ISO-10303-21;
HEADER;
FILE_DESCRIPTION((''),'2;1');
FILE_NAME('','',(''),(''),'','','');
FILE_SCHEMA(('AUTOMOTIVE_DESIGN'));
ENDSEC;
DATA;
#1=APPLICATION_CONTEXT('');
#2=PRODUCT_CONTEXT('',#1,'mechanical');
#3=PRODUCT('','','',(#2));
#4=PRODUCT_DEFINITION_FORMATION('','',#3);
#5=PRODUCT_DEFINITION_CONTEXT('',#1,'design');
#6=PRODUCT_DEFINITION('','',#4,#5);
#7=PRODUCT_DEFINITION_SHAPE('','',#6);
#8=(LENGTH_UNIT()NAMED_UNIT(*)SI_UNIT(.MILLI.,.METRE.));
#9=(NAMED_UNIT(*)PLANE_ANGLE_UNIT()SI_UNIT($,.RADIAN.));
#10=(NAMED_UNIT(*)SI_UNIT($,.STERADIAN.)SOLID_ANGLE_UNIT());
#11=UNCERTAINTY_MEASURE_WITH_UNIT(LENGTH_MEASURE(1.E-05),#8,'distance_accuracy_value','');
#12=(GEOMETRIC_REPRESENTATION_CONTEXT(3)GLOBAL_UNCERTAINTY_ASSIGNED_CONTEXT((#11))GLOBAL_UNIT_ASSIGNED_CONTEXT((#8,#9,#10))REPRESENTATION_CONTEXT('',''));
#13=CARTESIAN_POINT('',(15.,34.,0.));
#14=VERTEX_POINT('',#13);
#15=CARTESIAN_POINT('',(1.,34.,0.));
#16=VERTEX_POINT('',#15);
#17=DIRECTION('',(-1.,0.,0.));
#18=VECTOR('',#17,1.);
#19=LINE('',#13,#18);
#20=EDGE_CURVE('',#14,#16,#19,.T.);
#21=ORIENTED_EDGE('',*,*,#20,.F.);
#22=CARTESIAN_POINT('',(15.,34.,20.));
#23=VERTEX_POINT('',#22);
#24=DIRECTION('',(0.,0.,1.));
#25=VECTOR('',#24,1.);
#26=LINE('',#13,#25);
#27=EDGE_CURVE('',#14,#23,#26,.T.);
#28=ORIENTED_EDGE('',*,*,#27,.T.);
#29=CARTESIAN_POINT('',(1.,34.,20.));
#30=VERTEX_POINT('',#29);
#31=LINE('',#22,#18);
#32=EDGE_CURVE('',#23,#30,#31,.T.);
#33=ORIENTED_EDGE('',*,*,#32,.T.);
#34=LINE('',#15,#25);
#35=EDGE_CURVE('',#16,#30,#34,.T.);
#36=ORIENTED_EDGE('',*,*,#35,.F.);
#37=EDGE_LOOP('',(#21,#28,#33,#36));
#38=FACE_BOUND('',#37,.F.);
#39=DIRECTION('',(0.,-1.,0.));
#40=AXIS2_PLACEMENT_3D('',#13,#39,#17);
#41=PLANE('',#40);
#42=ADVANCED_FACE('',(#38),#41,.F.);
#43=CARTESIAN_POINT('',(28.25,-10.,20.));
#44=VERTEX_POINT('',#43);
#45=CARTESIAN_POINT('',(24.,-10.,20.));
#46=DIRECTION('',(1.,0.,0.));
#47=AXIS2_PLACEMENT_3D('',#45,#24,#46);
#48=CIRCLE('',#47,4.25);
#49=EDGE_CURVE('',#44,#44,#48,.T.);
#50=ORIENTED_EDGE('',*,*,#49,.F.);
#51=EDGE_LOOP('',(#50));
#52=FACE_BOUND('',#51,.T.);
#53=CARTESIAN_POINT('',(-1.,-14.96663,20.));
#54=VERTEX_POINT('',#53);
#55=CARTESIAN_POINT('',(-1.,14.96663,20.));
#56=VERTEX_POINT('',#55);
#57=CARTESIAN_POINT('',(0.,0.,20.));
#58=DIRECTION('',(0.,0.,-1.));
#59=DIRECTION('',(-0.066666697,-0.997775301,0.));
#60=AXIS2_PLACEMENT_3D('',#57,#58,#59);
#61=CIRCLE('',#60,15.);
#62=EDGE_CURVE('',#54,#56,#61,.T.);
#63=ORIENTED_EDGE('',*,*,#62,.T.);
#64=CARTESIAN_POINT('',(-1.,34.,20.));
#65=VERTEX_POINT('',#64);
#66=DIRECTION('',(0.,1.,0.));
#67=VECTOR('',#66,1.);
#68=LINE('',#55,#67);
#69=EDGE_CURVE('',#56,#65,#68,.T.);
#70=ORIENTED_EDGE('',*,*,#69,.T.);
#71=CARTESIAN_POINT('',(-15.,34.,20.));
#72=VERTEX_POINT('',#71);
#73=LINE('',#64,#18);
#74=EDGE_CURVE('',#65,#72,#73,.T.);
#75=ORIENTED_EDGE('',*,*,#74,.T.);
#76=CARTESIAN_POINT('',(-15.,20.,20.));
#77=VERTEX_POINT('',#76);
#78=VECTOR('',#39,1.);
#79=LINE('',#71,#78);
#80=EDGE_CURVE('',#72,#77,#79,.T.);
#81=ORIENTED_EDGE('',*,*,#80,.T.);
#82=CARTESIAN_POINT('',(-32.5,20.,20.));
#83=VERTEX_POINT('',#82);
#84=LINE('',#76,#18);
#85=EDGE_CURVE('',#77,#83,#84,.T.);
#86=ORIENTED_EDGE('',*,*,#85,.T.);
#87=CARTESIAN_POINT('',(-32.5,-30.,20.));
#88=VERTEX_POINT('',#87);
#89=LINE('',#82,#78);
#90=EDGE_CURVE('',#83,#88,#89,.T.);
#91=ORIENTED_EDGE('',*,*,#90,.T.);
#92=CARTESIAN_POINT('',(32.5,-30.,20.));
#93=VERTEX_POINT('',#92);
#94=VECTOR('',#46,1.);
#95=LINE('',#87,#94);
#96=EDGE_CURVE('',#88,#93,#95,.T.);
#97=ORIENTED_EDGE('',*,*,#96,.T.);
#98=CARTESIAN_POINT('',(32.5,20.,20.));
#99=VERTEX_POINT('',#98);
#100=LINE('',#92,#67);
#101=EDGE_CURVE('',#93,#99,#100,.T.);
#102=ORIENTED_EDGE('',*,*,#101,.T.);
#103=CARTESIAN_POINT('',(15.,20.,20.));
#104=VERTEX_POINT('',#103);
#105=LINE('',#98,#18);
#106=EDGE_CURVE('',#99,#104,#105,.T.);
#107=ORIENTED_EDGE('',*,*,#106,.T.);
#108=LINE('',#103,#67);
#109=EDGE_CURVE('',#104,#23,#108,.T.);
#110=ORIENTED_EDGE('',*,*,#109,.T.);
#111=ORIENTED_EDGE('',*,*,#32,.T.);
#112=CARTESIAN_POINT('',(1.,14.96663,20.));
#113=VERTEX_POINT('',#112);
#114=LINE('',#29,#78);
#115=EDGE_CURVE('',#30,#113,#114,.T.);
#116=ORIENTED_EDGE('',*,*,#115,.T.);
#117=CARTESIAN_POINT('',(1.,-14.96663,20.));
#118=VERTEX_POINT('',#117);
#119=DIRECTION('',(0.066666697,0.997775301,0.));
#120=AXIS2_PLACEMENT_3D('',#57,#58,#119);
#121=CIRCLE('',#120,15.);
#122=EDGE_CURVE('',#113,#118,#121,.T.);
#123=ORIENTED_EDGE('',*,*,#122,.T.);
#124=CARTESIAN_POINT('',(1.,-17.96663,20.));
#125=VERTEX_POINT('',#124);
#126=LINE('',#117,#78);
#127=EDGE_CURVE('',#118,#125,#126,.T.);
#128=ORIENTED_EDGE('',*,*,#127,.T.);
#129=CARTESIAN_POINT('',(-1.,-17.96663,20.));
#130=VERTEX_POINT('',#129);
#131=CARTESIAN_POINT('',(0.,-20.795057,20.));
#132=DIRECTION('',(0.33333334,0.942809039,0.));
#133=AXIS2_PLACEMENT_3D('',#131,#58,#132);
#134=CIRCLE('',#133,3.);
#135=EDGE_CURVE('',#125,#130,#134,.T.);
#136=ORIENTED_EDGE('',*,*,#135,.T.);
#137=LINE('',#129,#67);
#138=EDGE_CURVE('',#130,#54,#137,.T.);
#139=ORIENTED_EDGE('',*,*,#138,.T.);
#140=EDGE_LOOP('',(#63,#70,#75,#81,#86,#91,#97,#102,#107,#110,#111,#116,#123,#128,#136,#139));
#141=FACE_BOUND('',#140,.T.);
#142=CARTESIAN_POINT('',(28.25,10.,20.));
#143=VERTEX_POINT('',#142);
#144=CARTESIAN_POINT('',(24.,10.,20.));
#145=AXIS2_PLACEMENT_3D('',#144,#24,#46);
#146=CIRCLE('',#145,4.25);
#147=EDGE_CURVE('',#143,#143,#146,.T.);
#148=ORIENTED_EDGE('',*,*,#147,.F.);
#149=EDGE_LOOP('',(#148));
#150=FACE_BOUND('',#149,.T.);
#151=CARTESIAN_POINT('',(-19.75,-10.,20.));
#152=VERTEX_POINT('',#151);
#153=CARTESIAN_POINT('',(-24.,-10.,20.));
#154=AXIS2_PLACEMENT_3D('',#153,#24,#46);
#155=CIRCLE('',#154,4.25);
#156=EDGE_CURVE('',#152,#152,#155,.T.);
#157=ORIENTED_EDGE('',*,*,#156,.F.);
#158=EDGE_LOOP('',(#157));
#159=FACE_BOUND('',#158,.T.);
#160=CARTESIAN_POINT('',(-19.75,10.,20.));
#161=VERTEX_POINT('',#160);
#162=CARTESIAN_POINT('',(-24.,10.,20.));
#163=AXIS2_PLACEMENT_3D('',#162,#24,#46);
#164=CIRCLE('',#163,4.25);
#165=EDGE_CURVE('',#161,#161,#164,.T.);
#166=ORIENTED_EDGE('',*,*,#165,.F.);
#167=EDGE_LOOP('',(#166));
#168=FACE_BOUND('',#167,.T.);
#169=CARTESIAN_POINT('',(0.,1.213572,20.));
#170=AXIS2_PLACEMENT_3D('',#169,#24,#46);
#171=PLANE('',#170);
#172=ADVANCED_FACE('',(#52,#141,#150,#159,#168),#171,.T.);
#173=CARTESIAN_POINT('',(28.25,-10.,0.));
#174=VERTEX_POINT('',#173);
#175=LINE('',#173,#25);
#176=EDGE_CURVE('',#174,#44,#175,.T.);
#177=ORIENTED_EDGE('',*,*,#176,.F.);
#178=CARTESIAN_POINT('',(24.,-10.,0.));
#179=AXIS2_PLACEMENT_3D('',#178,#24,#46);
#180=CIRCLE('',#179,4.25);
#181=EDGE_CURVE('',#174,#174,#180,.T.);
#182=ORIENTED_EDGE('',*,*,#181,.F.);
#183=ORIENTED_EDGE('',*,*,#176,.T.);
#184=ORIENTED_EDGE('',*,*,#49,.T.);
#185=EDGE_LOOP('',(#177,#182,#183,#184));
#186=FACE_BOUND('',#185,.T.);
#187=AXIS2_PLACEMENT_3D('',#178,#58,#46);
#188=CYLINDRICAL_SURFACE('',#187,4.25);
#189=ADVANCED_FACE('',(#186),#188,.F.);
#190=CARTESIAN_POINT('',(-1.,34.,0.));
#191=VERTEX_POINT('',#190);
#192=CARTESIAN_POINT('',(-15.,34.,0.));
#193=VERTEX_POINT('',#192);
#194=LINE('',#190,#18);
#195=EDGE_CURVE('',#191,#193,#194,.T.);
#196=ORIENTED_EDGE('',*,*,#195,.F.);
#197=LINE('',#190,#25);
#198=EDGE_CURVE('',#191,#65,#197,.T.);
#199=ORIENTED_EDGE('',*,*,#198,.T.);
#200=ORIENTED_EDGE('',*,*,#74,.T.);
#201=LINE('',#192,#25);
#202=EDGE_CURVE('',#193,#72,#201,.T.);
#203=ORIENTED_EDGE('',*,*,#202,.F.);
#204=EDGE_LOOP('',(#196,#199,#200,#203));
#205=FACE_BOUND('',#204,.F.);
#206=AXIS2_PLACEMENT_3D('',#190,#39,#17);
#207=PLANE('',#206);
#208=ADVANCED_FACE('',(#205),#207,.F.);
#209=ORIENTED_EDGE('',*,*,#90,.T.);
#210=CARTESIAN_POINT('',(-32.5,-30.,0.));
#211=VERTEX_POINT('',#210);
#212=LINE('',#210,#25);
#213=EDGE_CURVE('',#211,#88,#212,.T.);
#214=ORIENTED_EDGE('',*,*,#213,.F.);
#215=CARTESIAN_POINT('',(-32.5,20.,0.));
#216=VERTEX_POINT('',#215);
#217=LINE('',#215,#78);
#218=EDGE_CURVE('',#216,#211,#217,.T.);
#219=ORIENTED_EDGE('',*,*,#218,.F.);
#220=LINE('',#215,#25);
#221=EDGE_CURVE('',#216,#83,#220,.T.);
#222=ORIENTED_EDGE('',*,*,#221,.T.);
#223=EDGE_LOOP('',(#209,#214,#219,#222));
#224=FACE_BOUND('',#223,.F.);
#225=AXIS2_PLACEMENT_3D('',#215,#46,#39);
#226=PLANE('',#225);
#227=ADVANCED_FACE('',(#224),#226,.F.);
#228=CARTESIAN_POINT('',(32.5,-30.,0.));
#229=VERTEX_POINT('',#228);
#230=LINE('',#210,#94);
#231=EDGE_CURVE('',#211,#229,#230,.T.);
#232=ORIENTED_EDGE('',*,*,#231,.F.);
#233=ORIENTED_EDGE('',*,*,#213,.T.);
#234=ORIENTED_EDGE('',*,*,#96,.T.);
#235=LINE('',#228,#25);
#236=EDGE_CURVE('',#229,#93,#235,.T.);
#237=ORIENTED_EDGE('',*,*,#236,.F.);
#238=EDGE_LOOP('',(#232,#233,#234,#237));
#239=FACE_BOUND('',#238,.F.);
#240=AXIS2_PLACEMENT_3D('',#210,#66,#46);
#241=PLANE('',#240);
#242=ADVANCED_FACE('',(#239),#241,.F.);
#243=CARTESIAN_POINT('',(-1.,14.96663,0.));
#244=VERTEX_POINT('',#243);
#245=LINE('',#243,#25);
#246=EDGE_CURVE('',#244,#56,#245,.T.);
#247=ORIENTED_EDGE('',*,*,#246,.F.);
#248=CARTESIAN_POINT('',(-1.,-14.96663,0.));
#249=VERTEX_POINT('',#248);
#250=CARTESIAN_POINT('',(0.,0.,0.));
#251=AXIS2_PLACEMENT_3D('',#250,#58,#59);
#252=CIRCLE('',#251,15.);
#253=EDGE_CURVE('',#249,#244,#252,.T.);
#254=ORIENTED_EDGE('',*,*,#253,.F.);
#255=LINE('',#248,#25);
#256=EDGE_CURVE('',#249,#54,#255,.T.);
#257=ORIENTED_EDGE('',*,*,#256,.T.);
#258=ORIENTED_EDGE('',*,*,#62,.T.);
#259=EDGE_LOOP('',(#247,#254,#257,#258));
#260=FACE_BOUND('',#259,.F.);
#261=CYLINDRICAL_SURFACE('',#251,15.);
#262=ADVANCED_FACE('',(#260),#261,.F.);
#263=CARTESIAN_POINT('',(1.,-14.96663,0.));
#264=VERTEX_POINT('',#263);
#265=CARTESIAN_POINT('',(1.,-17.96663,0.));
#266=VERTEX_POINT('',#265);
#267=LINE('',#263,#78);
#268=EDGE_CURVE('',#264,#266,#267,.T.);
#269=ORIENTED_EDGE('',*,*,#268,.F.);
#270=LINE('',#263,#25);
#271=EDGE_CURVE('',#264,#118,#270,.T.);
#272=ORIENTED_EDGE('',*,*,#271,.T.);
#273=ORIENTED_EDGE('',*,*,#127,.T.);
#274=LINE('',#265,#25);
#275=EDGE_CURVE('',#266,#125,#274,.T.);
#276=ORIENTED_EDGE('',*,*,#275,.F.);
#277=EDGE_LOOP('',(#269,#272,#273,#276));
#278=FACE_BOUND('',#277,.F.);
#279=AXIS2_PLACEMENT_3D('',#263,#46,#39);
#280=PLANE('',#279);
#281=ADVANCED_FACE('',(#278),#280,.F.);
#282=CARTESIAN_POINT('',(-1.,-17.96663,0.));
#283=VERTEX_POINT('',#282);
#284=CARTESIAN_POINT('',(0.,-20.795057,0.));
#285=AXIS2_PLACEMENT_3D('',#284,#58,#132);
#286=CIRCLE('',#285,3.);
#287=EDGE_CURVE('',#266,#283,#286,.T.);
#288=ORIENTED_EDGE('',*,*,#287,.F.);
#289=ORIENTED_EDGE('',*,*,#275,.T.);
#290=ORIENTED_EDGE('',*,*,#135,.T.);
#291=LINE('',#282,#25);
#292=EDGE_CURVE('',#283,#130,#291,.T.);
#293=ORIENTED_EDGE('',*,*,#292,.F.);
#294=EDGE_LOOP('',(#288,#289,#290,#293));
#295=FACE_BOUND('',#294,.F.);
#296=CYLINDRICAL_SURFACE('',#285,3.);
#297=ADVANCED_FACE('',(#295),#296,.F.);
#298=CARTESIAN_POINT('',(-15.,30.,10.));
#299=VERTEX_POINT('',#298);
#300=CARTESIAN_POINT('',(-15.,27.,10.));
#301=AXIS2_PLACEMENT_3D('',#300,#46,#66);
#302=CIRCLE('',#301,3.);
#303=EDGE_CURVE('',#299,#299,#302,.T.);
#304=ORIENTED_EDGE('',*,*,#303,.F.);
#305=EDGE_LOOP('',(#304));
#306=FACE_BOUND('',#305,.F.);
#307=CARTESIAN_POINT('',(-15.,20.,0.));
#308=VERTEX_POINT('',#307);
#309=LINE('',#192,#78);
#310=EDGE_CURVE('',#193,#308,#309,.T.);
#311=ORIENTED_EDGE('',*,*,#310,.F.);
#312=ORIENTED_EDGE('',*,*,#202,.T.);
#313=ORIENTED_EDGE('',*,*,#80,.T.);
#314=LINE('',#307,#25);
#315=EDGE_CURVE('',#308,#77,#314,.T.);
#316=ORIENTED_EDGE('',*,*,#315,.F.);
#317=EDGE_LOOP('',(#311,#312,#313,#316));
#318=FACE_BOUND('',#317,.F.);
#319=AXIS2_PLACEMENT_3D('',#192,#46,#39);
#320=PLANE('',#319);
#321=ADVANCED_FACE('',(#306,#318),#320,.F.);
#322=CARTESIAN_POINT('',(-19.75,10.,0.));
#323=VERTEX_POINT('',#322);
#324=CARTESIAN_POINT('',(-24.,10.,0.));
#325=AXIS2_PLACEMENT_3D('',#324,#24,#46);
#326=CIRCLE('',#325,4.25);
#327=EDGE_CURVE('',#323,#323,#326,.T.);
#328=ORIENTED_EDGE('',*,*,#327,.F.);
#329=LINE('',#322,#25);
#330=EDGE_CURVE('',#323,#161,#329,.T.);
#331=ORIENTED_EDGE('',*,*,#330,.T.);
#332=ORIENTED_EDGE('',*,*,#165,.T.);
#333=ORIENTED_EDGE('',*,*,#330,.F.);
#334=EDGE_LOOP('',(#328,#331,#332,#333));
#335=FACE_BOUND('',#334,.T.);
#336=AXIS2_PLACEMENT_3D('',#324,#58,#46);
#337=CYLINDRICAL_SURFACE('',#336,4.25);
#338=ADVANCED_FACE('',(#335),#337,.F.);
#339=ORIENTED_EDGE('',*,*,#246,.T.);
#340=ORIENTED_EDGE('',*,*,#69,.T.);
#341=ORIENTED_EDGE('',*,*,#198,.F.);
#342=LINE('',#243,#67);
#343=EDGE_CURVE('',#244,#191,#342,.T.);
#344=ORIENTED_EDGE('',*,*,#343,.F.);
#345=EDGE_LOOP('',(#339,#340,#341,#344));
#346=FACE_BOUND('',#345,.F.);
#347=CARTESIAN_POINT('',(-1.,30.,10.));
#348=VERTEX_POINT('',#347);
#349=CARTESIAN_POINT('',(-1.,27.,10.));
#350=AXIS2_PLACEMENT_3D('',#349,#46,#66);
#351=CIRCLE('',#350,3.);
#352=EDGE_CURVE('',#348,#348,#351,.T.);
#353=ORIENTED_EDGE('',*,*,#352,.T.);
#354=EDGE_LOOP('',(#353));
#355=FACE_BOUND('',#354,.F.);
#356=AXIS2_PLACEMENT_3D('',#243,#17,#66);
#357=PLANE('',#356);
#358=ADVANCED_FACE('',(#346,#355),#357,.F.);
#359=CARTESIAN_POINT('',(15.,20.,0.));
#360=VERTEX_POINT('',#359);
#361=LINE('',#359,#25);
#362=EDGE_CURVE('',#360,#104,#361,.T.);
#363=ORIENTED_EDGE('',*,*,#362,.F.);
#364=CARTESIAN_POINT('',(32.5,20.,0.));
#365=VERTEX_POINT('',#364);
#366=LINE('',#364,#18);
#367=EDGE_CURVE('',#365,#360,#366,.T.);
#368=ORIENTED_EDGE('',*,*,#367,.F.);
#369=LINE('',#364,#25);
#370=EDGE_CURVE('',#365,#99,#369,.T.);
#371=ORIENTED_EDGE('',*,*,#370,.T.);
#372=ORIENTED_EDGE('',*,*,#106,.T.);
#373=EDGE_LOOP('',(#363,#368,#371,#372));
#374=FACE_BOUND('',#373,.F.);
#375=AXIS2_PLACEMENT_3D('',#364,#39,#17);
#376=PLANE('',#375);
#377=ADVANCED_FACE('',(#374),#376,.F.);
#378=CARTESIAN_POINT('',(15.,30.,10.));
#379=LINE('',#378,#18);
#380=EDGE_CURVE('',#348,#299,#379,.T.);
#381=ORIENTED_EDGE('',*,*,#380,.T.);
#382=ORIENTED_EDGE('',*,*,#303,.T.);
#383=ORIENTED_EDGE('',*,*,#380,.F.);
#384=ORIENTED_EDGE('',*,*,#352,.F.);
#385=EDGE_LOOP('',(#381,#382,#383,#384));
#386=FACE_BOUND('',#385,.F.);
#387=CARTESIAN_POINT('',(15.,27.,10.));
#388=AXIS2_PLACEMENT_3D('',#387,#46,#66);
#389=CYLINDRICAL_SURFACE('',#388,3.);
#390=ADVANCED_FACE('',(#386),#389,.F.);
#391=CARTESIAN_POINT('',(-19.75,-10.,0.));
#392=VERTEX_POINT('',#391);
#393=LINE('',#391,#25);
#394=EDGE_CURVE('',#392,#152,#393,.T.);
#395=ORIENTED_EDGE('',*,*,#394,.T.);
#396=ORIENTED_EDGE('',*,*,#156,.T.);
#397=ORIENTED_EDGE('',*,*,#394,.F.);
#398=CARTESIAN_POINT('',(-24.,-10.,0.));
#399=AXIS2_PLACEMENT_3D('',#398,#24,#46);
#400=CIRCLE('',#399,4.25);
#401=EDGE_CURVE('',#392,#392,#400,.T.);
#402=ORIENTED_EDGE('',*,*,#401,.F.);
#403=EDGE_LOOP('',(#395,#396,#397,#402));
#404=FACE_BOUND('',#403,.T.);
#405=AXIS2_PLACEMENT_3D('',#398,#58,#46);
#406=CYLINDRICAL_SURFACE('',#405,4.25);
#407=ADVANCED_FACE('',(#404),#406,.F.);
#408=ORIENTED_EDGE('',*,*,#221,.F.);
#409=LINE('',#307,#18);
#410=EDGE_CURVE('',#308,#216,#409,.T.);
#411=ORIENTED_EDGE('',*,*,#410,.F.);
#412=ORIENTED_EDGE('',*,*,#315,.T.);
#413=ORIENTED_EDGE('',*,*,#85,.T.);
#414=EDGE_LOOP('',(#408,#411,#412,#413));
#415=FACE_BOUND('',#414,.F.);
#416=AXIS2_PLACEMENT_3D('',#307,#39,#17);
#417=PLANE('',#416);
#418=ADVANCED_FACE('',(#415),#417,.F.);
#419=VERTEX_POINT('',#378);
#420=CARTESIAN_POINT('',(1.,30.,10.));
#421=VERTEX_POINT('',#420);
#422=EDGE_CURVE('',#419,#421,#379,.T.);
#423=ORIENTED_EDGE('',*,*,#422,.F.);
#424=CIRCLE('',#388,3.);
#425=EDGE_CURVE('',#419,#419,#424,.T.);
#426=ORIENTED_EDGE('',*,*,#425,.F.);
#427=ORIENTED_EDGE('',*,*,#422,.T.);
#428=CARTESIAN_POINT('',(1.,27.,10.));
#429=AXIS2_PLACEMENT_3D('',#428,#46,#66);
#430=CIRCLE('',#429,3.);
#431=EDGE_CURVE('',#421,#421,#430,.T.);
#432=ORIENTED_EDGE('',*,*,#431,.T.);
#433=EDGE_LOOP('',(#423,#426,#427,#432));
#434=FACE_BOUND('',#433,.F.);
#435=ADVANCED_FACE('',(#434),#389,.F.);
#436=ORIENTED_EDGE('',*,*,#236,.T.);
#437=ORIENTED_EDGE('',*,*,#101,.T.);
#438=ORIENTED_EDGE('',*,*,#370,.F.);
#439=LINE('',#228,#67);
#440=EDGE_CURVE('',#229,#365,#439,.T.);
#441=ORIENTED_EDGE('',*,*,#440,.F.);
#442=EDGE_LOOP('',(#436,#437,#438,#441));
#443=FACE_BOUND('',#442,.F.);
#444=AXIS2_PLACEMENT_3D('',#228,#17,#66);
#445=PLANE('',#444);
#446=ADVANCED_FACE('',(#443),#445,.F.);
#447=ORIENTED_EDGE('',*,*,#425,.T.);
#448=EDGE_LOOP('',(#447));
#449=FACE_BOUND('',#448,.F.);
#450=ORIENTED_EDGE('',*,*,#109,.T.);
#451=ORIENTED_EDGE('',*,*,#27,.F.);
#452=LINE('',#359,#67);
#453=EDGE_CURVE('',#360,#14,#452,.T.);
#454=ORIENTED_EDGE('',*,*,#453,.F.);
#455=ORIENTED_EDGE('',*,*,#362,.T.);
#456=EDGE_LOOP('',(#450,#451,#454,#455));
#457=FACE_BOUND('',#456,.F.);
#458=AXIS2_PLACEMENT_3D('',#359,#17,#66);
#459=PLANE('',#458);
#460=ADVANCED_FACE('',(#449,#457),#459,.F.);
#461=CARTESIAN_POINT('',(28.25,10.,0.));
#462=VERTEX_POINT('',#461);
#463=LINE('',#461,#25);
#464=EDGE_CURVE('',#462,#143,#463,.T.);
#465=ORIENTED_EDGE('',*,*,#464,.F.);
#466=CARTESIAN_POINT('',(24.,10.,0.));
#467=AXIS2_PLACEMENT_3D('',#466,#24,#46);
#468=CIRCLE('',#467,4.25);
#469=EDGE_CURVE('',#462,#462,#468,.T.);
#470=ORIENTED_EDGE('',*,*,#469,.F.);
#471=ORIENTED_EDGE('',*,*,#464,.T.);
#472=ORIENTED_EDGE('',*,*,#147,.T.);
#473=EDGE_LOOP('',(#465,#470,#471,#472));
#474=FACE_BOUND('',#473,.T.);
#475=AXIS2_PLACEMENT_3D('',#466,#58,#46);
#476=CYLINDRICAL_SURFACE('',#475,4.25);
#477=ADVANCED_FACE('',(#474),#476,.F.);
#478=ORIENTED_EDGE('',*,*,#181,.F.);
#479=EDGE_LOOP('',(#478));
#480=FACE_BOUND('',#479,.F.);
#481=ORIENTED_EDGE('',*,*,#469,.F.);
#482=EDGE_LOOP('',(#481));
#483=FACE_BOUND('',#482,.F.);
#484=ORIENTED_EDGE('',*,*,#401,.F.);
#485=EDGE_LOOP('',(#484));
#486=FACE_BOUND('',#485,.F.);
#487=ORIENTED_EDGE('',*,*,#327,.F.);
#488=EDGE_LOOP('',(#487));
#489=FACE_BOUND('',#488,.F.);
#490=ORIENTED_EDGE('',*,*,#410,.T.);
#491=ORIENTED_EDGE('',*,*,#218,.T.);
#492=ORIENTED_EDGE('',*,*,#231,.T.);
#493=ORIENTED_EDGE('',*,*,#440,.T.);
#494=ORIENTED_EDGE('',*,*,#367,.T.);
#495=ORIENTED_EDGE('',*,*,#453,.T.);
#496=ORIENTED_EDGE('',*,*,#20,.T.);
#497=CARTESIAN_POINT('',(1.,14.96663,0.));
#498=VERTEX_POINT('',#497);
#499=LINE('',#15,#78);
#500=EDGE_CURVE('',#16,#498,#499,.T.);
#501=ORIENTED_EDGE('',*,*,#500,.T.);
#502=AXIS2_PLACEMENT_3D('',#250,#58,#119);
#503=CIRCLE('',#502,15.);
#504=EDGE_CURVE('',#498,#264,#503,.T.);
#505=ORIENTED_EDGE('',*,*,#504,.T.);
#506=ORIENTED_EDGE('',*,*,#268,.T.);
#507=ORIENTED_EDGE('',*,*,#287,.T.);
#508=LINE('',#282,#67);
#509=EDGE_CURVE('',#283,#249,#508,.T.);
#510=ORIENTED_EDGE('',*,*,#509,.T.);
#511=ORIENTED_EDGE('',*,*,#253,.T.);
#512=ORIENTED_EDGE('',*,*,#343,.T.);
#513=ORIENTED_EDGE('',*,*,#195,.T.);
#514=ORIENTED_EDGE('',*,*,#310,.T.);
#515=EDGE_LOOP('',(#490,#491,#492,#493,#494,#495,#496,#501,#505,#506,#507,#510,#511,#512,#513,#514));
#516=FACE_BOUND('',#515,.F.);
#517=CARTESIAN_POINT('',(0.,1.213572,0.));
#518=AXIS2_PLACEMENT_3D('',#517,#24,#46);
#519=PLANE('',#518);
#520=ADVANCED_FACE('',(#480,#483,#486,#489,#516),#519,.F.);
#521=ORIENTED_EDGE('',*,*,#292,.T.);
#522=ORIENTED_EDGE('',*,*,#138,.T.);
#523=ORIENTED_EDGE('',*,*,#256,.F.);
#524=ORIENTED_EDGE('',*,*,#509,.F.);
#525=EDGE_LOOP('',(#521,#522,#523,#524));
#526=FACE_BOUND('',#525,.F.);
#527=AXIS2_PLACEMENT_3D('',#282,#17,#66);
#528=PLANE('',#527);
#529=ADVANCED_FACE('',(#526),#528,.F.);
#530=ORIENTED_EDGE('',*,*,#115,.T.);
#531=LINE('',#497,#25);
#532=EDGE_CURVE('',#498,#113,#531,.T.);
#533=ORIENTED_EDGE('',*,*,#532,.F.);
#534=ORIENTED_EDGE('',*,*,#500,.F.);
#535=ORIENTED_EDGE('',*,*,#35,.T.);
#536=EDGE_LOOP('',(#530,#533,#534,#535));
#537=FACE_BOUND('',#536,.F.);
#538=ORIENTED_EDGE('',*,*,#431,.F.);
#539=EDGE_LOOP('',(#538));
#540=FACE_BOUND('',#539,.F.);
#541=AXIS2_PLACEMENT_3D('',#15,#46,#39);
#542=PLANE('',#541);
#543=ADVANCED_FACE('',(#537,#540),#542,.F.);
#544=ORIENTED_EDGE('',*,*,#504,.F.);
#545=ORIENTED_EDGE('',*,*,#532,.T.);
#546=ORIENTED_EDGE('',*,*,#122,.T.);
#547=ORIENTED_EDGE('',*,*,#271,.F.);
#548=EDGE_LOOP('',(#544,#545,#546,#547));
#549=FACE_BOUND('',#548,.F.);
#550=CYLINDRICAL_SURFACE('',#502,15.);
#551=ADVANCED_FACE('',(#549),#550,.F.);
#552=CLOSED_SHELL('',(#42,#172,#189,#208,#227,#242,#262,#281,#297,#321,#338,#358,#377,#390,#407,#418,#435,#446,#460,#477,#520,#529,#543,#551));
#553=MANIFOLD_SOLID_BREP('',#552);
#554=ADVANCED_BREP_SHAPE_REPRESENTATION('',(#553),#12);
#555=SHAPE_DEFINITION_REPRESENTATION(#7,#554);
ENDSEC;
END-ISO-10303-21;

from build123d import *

# Parameters (mm, degrees)
F0_R     = 4.25
F1_DEPTH = 20
F2_R     = 3
F3_DEPTH = 30


with BuildPart() as f1:
    # F0 (on Top) → F1 (new body)
    with BuildSketch(Plane.XY):
        with BuildLine():
            Line((-1, 34), (-15, 34))
            Line((-15, 34), (-15, 20))
            Line((-15, 20), (-32.5, 20))
            Line((-32.5, 20), (-32.5, -30))
            Line((-32.5, -30), (32.5, -30))
            Line((32.5, -30), (32.5, 20))
            Line((32.5, 20), (15, 20))
            Line((15, 20), (15, 34))
            Line((15, 34), (1, 34))
            Line((1, 34), (1, 14.96663))
            ThreePointArc((1, 14.96663), (15, 0), (1, -14.96663))
            Line((1, -14.96663), (1, -17.96663))
            ThreePointArc((1, -17.96663), (0, -23.795057), (-1, -17.96663))
            Line((-1, -17.96663), (-1, -14.96663))
            ThreePointArc((-1, -14.96663), (-15, 0), (-1, 14.96663))
            Line((-1, 14.96663), (-1, 34))
        make_face()
        with Locations((-24, -10)):
            Circle(F0_R, mode=Mode.SUBTRACT)
        with Locations((24, -10)):
            Circle(F0_R, mode=Mode.SUBTRACT)
        with Locations((-24, 10)):
            Circle(F0_R, mode=Mode.SUBTRACT)
        with Locations((24, 10)):
            Circle(F0_R, mode=Mode.SUBTRACT)
    extrude(amount=F1_DEPTH)

    # F2 (on face) → F3 (cut)
    with BuildSketch(Plane.YZ.offset(15)):
        with Locations((27, 10)):
            Circle(F2_R)
    extrude(amount=-F3_DEPTH, mode=Mode.SUBTRACT)


solid = f1.part
